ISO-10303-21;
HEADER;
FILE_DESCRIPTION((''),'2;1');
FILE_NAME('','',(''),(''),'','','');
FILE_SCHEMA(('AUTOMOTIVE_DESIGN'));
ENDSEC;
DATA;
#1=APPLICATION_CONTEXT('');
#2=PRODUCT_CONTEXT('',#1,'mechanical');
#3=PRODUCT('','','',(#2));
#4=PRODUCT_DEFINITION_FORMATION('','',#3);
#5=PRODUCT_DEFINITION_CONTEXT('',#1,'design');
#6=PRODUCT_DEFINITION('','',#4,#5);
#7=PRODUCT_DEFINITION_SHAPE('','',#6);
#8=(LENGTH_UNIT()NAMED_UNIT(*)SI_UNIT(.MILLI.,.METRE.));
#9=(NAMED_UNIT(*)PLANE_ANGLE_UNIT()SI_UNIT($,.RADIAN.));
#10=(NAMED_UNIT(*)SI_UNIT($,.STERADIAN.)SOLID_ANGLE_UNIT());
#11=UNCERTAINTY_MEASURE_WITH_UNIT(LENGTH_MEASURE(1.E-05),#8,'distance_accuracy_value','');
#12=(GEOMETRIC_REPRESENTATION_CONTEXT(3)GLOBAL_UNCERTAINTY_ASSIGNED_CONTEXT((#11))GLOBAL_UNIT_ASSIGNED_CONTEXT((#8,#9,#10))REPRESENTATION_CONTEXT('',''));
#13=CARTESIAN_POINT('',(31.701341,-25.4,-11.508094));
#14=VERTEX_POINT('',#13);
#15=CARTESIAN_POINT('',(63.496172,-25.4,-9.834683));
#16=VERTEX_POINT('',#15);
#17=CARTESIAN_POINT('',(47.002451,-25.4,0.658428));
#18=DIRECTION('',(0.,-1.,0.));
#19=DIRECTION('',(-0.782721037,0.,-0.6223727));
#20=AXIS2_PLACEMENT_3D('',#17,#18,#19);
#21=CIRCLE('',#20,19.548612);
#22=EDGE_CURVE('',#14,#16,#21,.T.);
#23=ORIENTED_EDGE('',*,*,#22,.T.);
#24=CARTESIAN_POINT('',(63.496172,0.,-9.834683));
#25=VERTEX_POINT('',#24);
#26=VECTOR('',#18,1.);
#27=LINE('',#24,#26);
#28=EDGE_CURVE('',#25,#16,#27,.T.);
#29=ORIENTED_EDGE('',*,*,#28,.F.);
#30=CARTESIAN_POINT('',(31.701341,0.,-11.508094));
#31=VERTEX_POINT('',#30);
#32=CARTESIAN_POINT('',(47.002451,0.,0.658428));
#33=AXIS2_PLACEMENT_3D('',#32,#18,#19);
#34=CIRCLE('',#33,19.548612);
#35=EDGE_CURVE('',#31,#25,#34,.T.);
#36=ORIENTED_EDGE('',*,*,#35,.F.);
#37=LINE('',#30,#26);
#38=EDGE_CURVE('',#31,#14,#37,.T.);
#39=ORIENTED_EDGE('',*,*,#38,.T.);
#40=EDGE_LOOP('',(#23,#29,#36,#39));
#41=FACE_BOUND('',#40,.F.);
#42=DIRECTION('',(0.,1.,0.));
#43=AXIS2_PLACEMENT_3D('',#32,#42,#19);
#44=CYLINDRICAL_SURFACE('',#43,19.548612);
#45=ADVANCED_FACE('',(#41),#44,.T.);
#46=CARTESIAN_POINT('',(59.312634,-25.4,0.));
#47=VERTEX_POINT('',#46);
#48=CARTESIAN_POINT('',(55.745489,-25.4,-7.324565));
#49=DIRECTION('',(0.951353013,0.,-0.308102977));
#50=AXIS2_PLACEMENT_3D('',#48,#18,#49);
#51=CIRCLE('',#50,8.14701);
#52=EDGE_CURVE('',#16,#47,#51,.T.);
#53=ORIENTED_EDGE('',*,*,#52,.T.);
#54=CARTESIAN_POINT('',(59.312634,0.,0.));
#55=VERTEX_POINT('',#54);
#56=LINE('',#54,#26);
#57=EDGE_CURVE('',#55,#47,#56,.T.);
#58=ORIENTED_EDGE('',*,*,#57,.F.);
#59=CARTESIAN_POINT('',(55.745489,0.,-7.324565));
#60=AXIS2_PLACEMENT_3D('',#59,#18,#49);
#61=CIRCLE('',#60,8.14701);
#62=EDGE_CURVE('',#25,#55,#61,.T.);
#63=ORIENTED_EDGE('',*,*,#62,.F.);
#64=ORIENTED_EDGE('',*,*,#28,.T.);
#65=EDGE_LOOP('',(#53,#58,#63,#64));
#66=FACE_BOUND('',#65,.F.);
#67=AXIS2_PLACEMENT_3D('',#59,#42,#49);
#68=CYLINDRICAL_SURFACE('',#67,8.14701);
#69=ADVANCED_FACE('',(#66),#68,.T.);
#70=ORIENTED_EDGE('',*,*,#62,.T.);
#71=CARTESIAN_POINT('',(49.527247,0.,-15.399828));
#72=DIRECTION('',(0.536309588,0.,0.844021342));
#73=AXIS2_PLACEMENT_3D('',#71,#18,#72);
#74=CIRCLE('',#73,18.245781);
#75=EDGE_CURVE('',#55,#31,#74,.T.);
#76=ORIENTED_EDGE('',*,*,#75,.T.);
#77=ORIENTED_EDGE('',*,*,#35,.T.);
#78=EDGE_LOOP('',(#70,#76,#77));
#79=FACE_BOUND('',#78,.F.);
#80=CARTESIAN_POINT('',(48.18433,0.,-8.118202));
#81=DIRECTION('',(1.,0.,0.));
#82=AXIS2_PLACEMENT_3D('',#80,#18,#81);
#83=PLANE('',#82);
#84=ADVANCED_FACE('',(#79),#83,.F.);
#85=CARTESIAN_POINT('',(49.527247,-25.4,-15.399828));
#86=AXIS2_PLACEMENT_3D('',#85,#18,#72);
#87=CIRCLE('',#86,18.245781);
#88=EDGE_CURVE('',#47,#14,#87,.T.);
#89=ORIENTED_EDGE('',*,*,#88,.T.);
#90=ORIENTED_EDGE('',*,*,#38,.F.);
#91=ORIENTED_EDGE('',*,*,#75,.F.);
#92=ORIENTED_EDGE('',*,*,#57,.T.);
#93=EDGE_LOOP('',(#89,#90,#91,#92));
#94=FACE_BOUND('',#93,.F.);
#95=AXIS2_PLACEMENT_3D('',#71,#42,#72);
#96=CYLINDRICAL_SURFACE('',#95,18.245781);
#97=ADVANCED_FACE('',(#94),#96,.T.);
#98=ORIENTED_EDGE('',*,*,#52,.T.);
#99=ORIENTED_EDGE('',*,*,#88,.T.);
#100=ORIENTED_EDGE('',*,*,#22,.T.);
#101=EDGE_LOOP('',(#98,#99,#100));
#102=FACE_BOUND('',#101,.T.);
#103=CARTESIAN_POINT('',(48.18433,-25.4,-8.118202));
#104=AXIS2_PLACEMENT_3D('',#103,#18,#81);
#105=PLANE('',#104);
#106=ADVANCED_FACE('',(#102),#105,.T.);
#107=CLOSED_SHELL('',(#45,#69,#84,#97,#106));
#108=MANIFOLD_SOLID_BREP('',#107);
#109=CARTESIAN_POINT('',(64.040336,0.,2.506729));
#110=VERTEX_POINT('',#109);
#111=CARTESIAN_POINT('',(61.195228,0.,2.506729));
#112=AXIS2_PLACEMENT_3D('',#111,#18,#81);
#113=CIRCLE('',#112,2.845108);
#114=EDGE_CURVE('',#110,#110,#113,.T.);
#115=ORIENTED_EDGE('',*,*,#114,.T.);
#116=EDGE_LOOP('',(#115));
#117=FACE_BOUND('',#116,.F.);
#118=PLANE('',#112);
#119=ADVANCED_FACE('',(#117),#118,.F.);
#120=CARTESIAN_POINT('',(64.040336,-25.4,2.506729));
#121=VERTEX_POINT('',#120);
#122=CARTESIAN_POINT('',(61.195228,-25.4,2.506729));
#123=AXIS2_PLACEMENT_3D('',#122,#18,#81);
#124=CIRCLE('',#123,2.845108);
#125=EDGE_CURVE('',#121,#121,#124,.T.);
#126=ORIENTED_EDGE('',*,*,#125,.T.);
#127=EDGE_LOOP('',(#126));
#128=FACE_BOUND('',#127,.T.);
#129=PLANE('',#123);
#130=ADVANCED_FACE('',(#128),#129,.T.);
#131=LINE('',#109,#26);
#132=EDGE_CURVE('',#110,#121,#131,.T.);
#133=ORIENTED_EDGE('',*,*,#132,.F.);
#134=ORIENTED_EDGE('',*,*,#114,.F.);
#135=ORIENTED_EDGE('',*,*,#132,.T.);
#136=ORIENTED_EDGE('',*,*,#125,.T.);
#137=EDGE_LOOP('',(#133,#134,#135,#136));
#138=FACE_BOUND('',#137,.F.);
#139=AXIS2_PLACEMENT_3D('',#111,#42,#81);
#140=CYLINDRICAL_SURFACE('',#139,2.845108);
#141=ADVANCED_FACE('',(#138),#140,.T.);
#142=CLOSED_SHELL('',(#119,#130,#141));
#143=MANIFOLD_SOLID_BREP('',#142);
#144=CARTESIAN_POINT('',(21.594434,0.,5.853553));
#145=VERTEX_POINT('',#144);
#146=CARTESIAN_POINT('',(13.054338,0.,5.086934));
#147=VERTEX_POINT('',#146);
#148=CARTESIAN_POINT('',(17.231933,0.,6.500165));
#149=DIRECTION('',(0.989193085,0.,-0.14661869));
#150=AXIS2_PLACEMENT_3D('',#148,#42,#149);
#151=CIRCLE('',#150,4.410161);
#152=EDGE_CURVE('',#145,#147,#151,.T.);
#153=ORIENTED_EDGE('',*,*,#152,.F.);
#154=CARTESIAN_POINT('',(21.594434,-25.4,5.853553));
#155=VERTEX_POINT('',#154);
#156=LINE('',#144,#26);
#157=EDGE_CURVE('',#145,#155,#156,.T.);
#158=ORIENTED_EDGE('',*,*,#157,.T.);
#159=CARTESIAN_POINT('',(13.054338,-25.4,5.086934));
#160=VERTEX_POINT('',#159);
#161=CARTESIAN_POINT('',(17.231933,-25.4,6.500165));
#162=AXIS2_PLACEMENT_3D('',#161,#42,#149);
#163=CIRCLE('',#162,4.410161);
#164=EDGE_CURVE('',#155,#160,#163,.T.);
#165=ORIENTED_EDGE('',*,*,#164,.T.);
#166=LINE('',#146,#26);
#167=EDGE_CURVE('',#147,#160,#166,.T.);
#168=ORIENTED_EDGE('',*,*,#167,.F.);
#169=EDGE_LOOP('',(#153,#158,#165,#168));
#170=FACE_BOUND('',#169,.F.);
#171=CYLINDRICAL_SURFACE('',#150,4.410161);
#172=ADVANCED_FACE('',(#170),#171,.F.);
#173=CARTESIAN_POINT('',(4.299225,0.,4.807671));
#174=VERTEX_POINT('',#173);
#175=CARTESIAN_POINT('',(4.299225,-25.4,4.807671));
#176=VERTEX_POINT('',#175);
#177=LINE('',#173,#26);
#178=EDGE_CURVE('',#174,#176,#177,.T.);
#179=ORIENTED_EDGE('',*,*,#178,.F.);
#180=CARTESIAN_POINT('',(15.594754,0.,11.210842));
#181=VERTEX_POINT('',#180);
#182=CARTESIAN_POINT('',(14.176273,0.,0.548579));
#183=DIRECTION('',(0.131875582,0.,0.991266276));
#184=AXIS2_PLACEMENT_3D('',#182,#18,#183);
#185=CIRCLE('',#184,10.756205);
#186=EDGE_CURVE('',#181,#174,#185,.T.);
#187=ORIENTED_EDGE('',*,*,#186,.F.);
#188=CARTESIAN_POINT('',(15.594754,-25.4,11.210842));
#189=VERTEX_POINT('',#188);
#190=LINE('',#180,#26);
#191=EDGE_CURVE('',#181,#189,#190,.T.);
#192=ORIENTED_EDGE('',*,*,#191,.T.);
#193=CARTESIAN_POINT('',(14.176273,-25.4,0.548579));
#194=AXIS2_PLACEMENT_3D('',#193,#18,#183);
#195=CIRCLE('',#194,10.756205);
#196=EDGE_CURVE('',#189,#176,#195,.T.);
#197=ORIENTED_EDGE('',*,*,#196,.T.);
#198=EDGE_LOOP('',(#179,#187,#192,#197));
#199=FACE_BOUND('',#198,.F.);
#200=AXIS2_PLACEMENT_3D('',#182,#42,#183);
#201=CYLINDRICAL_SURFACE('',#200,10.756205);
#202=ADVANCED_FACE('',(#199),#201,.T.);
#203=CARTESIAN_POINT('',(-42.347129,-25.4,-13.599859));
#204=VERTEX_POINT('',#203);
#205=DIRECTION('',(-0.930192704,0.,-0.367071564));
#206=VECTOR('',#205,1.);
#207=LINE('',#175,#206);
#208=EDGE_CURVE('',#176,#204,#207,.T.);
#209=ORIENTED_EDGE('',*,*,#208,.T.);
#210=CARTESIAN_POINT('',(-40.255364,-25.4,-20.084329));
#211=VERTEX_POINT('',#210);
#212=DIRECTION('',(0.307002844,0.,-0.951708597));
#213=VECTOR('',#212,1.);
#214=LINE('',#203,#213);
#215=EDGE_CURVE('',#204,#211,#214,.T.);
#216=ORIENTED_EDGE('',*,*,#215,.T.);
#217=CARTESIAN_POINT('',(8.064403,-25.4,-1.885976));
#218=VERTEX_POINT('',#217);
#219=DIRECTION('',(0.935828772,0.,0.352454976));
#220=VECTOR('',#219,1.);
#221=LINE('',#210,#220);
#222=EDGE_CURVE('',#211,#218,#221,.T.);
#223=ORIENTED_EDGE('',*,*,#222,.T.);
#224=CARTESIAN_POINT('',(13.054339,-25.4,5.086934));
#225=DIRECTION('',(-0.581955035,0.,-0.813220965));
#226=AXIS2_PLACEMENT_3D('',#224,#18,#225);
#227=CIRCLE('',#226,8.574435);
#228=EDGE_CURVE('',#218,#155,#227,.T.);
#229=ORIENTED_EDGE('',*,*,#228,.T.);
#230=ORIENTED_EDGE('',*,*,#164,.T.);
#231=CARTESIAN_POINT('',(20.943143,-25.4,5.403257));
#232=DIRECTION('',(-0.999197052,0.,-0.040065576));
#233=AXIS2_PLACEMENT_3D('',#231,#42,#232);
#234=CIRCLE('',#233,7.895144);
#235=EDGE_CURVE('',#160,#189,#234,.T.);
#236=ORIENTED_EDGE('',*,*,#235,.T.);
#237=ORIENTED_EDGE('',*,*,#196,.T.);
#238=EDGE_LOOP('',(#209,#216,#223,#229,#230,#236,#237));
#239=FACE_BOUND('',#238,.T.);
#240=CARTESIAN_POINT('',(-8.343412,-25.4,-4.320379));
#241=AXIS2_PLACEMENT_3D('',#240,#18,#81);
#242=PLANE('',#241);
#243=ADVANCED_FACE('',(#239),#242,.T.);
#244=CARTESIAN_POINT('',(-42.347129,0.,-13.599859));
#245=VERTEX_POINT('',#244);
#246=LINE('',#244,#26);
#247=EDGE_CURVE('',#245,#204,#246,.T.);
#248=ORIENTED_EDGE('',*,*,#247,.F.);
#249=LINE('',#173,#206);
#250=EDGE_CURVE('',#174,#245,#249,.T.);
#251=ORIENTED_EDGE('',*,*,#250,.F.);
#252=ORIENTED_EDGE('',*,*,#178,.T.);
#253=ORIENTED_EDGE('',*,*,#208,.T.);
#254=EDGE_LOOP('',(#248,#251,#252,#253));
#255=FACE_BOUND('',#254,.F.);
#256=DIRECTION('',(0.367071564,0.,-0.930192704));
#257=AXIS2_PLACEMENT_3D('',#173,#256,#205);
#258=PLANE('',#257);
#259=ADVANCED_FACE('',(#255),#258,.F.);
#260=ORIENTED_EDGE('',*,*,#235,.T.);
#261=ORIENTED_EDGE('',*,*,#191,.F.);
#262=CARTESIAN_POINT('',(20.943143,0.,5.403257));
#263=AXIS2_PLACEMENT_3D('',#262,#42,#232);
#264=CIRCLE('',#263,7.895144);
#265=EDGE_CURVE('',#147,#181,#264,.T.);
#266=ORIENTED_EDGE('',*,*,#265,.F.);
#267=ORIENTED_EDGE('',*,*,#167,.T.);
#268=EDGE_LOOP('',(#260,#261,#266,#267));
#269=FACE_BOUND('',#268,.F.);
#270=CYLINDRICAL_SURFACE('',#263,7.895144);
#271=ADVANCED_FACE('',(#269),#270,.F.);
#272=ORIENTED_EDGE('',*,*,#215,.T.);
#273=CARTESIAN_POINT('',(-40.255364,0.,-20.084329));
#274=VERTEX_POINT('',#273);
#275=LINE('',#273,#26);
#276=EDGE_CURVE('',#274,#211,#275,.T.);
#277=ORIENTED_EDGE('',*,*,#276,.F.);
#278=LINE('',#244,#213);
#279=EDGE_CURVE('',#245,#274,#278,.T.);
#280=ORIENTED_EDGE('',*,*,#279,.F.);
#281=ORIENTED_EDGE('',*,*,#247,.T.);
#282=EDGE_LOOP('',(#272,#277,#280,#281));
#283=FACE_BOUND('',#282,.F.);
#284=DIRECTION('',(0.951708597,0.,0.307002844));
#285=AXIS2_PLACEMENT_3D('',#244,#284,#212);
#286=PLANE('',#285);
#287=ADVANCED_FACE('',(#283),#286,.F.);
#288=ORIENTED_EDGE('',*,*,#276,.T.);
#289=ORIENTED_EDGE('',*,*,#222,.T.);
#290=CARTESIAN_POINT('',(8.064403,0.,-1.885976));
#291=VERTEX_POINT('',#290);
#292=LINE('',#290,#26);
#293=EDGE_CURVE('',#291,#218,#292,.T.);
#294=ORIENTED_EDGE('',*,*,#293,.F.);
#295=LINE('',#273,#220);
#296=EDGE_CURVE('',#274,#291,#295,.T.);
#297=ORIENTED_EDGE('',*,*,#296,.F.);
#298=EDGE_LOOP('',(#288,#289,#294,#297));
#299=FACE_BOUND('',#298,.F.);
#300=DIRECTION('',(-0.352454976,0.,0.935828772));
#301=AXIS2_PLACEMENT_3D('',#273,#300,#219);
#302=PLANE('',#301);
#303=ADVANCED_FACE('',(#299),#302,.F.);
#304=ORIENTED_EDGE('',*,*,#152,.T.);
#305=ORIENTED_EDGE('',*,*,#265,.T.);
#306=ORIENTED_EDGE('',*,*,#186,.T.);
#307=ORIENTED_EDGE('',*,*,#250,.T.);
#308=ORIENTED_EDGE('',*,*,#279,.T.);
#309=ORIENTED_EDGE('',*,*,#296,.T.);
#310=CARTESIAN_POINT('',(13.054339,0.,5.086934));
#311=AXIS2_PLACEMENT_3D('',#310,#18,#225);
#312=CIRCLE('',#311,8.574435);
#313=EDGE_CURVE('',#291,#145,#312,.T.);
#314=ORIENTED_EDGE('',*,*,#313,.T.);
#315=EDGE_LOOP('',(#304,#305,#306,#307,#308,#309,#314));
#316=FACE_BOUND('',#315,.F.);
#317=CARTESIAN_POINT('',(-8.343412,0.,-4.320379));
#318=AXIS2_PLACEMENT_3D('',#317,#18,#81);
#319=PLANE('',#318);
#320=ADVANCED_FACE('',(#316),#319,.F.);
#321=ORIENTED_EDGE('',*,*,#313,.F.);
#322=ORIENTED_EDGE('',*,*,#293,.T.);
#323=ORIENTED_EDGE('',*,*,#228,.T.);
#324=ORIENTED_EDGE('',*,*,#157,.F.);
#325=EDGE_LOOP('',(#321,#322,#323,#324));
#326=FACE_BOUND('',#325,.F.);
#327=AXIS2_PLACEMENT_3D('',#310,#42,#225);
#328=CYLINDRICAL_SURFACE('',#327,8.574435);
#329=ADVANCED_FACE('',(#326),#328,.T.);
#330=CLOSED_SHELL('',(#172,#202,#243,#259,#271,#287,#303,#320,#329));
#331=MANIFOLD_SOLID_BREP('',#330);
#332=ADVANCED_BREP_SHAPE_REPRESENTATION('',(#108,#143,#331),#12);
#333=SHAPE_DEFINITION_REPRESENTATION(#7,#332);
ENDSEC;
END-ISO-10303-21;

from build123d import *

# Parameters (mm, degrees)
F0_R     = 2.845108
F1_DEPTH = 25.4


with BuildPart() as f1:
    # F0 (on Front) → F1 (new body)
    with BuildSketch(Plane.XZ):
        with BuildLine():
            ThreePointArc((59.312634, 0), (42.507878, 1.441697), (31.701341, -11.508094))
            ThreePointArc((31.701341, -11.508094), (48.029903, -18.863164), (63.496172, -9.834683))
            ThreePointArc((63.496172, -9.834683), (63.242392, -4.135486), (59.312634, 0))
        make_face()
        with Locations((61.195228, 2.506729)):
            Circle(F0_R)
        with BuildLine():
            Line((-42.347129, -13.599859), (-40.255364, -20.084329))
            Line((-40.255364, -20.084329), (8.064403, -1.885976))
            ThreePointArc((8.064403, -1.885976), (17.311801, -2.355844), (21.594434, 5.853553))
            ThreePointArc((21.594434, 5.853553), (17.626235, 2.107666), (13.054338, 5.086934))
            ThreePointArc((13.054338, 5.086934), (13.650586, 8.428471), (15.594754, 11.210842))
            ThreePointArc((15.594754, 11.210842), (8.871842, 9.905873), (4.299225, 4.807671))
            Line((4.299225, 4.807671), (-42.347129, -13.599859))
        make_face()
    extrude(amount=F1_DEPTH)


solid = f1.part
